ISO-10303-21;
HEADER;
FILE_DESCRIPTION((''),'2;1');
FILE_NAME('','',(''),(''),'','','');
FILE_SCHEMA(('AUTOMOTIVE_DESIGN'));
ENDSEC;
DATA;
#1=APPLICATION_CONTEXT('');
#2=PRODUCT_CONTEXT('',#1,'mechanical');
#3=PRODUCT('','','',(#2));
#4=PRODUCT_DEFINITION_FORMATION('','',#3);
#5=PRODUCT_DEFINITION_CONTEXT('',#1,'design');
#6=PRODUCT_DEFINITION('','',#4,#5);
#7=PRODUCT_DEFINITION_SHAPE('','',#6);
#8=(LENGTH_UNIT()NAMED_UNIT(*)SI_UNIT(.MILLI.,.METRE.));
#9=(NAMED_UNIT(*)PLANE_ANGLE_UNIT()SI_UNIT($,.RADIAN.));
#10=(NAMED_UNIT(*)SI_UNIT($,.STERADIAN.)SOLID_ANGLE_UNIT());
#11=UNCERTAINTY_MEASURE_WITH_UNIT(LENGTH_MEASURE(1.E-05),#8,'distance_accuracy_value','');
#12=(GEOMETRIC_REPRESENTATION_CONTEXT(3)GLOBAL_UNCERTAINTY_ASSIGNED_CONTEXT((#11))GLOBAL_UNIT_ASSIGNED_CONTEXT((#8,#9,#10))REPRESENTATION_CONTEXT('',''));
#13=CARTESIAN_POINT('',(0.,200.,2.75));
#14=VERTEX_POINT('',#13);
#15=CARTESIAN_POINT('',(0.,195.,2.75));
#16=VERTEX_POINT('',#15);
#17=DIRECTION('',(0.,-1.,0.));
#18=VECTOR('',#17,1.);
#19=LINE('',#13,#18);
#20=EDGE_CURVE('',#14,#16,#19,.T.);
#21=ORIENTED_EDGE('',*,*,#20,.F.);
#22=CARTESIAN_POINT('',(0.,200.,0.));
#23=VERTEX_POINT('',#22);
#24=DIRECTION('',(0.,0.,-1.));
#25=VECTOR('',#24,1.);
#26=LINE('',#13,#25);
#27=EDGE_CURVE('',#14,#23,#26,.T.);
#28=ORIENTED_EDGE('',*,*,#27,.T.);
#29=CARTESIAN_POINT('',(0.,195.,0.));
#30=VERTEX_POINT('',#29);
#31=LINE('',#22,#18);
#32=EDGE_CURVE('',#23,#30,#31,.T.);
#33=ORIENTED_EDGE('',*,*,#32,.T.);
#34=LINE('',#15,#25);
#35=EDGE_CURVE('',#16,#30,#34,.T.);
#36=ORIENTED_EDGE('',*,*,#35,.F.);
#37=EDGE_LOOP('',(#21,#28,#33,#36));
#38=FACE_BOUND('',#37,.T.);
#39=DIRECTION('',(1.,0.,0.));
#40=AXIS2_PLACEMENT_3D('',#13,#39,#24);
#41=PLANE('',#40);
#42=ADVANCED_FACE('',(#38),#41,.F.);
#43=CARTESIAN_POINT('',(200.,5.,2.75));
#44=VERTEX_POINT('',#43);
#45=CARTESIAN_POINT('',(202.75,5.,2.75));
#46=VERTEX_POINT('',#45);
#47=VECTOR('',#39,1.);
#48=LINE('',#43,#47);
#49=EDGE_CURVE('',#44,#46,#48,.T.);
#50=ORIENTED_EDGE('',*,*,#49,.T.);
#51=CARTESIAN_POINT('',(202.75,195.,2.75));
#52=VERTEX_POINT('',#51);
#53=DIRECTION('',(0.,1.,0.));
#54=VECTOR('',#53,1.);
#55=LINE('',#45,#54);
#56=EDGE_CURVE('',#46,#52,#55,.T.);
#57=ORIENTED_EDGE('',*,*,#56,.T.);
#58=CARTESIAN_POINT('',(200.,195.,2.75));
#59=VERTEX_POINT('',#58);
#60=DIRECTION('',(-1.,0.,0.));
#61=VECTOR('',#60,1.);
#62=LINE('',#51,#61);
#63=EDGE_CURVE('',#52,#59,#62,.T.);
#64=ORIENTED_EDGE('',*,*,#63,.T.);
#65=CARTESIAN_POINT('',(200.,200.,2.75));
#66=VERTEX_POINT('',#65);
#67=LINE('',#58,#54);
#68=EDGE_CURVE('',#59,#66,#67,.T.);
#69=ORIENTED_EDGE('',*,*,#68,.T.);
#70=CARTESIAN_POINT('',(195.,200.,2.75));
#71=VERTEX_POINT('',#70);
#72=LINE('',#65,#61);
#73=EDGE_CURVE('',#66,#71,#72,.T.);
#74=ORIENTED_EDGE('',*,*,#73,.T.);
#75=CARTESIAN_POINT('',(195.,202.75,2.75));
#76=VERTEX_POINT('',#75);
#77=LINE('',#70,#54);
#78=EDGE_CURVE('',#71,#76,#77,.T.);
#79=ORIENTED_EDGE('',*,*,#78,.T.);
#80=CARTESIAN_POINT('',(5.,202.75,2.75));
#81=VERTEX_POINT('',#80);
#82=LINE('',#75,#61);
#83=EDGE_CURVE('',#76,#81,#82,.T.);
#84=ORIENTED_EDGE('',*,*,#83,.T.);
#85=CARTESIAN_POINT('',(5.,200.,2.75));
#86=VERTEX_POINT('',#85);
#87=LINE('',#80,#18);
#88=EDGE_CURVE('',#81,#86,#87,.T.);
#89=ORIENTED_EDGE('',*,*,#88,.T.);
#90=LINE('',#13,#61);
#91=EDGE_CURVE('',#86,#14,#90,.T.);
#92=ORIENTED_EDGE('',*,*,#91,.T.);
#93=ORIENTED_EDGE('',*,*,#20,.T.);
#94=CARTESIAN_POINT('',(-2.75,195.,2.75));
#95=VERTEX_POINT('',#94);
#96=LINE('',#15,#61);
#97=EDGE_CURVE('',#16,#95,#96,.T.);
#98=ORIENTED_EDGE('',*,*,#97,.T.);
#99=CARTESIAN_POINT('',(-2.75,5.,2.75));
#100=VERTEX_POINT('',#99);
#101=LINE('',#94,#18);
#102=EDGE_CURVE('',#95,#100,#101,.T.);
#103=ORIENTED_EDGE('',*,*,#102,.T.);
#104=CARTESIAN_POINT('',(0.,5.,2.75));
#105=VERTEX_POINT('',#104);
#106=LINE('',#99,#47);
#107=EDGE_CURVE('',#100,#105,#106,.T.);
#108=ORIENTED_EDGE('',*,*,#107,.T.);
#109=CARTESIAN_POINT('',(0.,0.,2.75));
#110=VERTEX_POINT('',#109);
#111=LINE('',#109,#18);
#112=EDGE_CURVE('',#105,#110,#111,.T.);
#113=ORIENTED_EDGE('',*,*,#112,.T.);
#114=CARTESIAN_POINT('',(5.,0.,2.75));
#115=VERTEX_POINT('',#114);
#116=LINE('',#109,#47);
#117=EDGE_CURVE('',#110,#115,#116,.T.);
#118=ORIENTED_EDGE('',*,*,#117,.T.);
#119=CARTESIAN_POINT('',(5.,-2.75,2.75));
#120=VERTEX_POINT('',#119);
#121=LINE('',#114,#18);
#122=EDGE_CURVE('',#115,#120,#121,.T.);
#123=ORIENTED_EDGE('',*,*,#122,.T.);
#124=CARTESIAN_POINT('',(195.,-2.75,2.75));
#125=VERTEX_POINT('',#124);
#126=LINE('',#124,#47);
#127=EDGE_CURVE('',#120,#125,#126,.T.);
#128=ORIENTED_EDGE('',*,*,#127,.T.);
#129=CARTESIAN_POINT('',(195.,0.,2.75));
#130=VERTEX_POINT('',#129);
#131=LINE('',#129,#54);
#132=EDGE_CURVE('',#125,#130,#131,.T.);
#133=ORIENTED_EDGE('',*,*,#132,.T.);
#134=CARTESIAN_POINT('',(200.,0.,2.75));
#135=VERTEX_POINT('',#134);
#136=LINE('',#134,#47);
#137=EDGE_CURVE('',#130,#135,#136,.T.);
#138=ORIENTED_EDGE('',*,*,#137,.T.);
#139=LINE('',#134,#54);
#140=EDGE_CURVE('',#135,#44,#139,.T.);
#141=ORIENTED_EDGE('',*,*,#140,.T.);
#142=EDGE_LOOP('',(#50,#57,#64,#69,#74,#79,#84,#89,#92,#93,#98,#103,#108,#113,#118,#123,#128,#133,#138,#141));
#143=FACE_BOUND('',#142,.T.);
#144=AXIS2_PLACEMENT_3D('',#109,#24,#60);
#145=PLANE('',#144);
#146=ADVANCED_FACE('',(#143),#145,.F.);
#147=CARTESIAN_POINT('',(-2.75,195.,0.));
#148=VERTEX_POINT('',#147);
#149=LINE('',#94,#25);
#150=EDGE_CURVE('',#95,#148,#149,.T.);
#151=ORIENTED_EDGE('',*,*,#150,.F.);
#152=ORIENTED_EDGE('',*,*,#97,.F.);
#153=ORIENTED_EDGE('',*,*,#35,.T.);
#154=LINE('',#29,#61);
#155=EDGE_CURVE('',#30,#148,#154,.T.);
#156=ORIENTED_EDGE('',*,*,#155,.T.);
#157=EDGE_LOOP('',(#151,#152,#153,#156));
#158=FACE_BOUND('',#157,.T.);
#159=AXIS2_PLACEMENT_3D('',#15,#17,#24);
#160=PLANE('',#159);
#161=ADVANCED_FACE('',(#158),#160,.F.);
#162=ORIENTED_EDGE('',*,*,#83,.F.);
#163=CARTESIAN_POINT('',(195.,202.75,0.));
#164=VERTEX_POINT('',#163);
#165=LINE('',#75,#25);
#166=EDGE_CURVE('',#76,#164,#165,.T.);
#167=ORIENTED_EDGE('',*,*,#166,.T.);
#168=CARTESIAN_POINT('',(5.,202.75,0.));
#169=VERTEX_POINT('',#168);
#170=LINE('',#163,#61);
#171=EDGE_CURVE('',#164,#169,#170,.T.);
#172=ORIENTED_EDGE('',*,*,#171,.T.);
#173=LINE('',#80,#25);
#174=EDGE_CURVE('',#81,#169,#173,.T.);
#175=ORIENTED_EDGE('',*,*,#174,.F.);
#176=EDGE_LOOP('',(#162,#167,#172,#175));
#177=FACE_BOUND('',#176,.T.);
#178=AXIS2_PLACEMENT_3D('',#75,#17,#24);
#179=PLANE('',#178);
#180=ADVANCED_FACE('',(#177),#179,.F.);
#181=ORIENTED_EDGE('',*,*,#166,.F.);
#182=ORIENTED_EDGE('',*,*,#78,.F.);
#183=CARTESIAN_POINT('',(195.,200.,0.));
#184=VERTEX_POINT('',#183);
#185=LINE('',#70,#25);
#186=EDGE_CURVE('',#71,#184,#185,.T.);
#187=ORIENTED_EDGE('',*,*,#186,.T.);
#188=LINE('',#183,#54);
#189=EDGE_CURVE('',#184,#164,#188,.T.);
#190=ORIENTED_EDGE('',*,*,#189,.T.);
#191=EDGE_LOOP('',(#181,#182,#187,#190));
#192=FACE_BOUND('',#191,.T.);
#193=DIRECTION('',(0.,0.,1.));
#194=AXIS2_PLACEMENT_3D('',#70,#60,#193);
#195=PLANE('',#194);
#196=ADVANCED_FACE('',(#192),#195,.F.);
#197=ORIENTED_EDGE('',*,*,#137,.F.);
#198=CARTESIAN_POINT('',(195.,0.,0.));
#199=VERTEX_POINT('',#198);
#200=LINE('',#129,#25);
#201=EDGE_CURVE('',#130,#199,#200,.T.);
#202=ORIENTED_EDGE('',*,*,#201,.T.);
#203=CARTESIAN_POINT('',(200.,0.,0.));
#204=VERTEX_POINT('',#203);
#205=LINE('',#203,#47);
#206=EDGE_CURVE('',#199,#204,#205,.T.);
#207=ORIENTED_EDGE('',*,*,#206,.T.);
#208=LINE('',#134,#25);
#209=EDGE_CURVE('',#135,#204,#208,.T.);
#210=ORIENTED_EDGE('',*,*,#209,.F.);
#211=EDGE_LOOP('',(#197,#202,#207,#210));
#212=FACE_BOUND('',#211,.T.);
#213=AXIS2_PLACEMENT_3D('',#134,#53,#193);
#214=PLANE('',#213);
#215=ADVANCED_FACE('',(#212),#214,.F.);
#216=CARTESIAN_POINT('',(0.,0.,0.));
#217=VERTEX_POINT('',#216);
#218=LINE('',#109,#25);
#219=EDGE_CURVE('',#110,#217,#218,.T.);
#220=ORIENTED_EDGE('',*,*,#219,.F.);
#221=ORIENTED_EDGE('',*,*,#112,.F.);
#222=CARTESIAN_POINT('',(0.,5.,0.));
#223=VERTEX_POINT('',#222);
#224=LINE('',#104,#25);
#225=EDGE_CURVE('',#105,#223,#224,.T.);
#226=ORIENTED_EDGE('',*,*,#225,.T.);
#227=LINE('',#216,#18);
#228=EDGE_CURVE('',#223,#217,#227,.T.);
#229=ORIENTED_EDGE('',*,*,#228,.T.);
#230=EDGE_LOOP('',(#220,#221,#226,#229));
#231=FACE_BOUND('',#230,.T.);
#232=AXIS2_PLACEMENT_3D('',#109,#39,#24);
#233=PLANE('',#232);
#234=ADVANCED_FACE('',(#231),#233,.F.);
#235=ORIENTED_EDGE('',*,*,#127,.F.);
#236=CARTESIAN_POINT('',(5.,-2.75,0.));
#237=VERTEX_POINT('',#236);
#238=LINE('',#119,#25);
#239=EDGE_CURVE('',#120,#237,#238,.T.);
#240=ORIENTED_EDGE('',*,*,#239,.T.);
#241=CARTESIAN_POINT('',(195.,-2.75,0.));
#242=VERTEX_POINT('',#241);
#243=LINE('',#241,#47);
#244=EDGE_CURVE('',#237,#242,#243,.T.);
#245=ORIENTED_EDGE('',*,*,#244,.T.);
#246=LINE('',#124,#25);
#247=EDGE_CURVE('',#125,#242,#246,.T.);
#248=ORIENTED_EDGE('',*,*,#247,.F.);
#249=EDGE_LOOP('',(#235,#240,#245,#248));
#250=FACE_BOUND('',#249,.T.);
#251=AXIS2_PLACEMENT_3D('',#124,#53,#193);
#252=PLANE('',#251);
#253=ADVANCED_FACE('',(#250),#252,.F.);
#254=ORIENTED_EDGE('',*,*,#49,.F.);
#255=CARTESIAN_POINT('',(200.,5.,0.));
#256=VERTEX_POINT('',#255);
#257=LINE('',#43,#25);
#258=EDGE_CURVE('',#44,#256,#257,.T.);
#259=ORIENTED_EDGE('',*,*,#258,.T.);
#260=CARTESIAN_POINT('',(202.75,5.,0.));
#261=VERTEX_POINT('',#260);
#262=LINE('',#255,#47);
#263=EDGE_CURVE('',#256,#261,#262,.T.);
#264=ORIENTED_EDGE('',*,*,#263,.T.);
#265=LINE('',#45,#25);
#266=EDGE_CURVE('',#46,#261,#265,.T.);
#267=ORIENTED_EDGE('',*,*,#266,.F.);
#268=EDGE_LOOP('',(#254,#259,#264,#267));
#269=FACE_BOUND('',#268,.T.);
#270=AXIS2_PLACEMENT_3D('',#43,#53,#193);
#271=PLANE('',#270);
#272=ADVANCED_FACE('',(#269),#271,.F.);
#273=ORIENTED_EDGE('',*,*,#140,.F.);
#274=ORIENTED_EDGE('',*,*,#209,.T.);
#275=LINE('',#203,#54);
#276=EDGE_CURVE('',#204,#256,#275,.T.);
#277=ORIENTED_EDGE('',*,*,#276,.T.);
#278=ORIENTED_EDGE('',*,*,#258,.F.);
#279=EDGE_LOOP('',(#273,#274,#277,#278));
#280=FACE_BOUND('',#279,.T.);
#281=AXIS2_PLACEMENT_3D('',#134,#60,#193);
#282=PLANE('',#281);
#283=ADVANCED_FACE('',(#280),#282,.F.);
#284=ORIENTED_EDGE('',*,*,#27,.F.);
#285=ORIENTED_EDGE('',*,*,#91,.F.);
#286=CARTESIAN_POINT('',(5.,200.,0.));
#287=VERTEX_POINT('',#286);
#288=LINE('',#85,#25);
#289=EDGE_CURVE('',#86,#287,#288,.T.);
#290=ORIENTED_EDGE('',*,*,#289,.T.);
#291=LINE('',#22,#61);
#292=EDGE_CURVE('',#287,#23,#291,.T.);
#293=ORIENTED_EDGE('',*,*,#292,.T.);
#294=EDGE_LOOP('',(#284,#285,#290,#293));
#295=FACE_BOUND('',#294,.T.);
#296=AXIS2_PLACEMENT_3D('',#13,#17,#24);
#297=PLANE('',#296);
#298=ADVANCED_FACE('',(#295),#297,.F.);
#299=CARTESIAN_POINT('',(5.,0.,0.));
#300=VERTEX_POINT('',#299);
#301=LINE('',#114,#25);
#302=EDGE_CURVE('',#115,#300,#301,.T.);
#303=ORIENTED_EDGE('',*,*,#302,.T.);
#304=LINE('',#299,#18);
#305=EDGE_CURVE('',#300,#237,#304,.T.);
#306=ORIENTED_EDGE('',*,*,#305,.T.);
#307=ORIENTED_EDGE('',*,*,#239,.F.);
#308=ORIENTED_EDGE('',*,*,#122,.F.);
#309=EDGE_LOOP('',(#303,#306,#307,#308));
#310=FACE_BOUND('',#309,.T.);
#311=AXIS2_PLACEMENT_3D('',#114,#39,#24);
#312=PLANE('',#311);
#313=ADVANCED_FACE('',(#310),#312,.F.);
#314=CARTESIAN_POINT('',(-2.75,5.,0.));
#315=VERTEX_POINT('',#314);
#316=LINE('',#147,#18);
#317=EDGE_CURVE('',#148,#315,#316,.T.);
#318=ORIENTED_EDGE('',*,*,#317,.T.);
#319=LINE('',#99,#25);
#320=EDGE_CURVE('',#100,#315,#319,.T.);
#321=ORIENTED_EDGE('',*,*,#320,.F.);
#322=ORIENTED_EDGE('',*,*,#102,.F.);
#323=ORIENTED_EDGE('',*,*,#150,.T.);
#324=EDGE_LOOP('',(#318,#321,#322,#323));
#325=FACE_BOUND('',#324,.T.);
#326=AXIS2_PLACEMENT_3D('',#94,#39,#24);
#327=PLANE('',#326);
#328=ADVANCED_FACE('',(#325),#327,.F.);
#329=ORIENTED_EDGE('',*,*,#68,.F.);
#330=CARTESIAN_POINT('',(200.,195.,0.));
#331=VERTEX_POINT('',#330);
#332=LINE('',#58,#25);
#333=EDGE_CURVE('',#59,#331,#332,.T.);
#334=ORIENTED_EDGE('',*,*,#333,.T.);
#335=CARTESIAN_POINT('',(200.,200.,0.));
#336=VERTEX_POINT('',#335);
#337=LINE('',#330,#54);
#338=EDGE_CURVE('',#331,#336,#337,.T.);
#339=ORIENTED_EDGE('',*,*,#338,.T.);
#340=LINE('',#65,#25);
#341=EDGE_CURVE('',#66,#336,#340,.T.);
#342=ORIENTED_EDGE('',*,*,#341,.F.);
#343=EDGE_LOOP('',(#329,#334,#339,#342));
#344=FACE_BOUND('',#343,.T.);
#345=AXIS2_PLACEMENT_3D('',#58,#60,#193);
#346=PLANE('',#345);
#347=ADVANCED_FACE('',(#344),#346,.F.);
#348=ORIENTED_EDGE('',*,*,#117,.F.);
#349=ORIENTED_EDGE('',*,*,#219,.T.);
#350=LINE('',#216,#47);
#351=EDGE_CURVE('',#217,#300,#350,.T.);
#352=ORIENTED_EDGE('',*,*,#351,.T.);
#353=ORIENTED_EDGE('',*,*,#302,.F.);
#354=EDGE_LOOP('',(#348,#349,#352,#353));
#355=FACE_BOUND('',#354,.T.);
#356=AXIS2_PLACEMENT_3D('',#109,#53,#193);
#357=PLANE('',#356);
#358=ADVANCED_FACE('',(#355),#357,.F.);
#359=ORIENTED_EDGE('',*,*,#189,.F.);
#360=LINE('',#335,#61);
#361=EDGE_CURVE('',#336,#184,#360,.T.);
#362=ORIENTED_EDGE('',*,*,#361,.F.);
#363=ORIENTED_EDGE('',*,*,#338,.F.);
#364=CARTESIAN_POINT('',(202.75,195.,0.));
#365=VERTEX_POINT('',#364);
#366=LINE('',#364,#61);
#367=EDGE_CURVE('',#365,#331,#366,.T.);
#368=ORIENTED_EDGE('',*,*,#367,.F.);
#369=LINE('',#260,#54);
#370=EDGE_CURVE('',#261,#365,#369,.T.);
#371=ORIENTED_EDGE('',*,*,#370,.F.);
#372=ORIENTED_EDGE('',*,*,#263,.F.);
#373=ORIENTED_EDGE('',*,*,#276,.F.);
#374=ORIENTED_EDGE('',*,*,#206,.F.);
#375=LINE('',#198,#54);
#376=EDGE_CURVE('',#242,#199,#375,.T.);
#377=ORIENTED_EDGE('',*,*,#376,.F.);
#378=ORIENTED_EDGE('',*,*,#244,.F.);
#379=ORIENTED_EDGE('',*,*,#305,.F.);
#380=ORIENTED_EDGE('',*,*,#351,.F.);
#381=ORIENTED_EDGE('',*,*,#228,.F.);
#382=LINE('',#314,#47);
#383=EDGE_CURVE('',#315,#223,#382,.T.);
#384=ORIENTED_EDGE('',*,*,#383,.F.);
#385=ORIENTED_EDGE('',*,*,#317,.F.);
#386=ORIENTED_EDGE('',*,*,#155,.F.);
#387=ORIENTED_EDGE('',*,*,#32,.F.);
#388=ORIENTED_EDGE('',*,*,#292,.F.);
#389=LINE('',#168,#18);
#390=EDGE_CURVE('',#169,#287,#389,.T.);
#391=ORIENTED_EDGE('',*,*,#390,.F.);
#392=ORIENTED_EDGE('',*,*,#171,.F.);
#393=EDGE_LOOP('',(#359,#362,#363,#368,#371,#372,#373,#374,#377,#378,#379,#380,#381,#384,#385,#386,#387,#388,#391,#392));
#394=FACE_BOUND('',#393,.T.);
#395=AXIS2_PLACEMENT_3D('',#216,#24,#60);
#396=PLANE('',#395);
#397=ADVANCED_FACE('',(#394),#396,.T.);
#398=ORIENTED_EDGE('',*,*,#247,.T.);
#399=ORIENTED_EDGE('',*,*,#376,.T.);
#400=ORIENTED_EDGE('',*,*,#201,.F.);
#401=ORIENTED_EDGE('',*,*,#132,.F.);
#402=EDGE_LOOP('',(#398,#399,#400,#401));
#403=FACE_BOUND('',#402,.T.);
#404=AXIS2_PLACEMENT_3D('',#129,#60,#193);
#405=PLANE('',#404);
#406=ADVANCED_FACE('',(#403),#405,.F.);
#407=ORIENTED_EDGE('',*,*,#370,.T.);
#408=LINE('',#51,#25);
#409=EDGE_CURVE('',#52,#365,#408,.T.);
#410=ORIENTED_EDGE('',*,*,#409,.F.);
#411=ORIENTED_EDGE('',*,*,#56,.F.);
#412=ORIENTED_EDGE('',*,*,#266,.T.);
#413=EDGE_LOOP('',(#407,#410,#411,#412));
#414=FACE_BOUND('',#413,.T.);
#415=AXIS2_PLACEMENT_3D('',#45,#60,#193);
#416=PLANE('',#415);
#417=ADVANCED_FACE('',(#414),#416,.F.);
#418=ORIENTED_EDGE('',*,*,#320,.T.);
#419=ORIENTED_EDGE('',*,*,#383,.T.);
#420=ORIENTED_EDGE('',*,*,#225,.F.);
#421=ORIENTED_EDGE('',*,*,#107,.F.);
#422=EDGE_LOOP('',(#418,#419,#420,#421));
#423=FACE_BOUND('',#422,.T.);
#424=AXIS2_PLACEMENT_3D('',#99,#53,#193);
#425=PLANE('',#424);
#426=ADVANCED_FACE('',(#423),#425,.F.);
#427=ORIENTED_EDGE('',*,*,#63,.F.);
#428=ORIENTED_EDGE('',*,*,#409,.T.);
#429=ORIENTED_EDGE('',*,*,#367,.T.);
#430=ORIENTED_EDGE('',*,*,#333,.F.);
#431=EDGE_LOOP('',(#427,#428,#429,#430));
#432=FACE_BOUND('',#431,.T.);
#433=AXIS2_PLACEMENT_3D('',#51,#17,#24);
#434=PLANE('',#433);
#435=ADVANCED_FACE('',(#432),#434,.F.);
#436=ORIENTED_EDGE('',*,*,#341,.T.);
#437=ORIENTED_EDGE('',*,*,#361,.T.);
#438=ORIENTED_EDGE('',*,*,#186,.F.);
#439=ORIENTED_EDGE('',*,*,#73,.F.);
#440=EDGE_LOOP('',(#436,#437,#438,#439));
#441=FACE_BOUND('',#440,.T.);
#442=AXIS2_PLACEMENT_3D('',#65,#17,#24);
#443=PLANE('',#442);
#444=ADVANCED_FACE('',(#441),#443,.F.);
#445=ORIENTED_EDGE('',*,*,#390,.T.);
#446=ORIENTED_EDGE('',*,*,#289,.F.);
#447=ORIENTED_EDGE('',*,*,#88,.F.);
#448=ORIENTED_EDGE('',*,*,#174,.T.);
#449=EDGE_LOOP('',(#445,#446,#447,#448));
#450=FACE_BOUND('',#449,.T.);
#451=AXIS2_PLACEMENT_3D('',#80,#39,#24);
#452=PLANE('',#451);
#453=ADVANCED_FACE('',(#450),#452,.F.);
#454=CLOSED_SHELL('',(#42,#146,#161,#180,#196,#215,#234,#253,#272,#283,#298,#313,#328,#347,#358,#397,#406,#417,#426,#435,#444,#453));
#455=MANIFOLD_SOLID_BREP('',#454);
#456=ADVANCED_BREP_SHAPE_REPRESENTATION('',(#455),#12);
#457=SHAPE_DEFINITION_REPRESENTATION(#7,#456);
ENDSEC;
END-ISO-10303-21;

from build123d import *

# Parameters (mm, degrees)
EXTRUDE_1_DEPTH = 2.75


with BuildPart() as part:
    # 草图1 → 凸台-拉伸1 (new body)
    with BuildSketch(Plane.XY):
        Polygon((0, 0), (5, 0), (5, -2.75), (195, -2.75), (195, 0), (200, 0), (200, 5), (202.75, 5), (202.75, 195), (200, 195), (200, 200), (195, 200), (195, 202.75), (5, 202.75), (5, 200), (0, 200), (0, 195), (-2.75, 195), (-2.75, 5), (0, 5), align=None)
    extrude(amount=EXTRUDE_1_DEPTH)


solid = part.part
